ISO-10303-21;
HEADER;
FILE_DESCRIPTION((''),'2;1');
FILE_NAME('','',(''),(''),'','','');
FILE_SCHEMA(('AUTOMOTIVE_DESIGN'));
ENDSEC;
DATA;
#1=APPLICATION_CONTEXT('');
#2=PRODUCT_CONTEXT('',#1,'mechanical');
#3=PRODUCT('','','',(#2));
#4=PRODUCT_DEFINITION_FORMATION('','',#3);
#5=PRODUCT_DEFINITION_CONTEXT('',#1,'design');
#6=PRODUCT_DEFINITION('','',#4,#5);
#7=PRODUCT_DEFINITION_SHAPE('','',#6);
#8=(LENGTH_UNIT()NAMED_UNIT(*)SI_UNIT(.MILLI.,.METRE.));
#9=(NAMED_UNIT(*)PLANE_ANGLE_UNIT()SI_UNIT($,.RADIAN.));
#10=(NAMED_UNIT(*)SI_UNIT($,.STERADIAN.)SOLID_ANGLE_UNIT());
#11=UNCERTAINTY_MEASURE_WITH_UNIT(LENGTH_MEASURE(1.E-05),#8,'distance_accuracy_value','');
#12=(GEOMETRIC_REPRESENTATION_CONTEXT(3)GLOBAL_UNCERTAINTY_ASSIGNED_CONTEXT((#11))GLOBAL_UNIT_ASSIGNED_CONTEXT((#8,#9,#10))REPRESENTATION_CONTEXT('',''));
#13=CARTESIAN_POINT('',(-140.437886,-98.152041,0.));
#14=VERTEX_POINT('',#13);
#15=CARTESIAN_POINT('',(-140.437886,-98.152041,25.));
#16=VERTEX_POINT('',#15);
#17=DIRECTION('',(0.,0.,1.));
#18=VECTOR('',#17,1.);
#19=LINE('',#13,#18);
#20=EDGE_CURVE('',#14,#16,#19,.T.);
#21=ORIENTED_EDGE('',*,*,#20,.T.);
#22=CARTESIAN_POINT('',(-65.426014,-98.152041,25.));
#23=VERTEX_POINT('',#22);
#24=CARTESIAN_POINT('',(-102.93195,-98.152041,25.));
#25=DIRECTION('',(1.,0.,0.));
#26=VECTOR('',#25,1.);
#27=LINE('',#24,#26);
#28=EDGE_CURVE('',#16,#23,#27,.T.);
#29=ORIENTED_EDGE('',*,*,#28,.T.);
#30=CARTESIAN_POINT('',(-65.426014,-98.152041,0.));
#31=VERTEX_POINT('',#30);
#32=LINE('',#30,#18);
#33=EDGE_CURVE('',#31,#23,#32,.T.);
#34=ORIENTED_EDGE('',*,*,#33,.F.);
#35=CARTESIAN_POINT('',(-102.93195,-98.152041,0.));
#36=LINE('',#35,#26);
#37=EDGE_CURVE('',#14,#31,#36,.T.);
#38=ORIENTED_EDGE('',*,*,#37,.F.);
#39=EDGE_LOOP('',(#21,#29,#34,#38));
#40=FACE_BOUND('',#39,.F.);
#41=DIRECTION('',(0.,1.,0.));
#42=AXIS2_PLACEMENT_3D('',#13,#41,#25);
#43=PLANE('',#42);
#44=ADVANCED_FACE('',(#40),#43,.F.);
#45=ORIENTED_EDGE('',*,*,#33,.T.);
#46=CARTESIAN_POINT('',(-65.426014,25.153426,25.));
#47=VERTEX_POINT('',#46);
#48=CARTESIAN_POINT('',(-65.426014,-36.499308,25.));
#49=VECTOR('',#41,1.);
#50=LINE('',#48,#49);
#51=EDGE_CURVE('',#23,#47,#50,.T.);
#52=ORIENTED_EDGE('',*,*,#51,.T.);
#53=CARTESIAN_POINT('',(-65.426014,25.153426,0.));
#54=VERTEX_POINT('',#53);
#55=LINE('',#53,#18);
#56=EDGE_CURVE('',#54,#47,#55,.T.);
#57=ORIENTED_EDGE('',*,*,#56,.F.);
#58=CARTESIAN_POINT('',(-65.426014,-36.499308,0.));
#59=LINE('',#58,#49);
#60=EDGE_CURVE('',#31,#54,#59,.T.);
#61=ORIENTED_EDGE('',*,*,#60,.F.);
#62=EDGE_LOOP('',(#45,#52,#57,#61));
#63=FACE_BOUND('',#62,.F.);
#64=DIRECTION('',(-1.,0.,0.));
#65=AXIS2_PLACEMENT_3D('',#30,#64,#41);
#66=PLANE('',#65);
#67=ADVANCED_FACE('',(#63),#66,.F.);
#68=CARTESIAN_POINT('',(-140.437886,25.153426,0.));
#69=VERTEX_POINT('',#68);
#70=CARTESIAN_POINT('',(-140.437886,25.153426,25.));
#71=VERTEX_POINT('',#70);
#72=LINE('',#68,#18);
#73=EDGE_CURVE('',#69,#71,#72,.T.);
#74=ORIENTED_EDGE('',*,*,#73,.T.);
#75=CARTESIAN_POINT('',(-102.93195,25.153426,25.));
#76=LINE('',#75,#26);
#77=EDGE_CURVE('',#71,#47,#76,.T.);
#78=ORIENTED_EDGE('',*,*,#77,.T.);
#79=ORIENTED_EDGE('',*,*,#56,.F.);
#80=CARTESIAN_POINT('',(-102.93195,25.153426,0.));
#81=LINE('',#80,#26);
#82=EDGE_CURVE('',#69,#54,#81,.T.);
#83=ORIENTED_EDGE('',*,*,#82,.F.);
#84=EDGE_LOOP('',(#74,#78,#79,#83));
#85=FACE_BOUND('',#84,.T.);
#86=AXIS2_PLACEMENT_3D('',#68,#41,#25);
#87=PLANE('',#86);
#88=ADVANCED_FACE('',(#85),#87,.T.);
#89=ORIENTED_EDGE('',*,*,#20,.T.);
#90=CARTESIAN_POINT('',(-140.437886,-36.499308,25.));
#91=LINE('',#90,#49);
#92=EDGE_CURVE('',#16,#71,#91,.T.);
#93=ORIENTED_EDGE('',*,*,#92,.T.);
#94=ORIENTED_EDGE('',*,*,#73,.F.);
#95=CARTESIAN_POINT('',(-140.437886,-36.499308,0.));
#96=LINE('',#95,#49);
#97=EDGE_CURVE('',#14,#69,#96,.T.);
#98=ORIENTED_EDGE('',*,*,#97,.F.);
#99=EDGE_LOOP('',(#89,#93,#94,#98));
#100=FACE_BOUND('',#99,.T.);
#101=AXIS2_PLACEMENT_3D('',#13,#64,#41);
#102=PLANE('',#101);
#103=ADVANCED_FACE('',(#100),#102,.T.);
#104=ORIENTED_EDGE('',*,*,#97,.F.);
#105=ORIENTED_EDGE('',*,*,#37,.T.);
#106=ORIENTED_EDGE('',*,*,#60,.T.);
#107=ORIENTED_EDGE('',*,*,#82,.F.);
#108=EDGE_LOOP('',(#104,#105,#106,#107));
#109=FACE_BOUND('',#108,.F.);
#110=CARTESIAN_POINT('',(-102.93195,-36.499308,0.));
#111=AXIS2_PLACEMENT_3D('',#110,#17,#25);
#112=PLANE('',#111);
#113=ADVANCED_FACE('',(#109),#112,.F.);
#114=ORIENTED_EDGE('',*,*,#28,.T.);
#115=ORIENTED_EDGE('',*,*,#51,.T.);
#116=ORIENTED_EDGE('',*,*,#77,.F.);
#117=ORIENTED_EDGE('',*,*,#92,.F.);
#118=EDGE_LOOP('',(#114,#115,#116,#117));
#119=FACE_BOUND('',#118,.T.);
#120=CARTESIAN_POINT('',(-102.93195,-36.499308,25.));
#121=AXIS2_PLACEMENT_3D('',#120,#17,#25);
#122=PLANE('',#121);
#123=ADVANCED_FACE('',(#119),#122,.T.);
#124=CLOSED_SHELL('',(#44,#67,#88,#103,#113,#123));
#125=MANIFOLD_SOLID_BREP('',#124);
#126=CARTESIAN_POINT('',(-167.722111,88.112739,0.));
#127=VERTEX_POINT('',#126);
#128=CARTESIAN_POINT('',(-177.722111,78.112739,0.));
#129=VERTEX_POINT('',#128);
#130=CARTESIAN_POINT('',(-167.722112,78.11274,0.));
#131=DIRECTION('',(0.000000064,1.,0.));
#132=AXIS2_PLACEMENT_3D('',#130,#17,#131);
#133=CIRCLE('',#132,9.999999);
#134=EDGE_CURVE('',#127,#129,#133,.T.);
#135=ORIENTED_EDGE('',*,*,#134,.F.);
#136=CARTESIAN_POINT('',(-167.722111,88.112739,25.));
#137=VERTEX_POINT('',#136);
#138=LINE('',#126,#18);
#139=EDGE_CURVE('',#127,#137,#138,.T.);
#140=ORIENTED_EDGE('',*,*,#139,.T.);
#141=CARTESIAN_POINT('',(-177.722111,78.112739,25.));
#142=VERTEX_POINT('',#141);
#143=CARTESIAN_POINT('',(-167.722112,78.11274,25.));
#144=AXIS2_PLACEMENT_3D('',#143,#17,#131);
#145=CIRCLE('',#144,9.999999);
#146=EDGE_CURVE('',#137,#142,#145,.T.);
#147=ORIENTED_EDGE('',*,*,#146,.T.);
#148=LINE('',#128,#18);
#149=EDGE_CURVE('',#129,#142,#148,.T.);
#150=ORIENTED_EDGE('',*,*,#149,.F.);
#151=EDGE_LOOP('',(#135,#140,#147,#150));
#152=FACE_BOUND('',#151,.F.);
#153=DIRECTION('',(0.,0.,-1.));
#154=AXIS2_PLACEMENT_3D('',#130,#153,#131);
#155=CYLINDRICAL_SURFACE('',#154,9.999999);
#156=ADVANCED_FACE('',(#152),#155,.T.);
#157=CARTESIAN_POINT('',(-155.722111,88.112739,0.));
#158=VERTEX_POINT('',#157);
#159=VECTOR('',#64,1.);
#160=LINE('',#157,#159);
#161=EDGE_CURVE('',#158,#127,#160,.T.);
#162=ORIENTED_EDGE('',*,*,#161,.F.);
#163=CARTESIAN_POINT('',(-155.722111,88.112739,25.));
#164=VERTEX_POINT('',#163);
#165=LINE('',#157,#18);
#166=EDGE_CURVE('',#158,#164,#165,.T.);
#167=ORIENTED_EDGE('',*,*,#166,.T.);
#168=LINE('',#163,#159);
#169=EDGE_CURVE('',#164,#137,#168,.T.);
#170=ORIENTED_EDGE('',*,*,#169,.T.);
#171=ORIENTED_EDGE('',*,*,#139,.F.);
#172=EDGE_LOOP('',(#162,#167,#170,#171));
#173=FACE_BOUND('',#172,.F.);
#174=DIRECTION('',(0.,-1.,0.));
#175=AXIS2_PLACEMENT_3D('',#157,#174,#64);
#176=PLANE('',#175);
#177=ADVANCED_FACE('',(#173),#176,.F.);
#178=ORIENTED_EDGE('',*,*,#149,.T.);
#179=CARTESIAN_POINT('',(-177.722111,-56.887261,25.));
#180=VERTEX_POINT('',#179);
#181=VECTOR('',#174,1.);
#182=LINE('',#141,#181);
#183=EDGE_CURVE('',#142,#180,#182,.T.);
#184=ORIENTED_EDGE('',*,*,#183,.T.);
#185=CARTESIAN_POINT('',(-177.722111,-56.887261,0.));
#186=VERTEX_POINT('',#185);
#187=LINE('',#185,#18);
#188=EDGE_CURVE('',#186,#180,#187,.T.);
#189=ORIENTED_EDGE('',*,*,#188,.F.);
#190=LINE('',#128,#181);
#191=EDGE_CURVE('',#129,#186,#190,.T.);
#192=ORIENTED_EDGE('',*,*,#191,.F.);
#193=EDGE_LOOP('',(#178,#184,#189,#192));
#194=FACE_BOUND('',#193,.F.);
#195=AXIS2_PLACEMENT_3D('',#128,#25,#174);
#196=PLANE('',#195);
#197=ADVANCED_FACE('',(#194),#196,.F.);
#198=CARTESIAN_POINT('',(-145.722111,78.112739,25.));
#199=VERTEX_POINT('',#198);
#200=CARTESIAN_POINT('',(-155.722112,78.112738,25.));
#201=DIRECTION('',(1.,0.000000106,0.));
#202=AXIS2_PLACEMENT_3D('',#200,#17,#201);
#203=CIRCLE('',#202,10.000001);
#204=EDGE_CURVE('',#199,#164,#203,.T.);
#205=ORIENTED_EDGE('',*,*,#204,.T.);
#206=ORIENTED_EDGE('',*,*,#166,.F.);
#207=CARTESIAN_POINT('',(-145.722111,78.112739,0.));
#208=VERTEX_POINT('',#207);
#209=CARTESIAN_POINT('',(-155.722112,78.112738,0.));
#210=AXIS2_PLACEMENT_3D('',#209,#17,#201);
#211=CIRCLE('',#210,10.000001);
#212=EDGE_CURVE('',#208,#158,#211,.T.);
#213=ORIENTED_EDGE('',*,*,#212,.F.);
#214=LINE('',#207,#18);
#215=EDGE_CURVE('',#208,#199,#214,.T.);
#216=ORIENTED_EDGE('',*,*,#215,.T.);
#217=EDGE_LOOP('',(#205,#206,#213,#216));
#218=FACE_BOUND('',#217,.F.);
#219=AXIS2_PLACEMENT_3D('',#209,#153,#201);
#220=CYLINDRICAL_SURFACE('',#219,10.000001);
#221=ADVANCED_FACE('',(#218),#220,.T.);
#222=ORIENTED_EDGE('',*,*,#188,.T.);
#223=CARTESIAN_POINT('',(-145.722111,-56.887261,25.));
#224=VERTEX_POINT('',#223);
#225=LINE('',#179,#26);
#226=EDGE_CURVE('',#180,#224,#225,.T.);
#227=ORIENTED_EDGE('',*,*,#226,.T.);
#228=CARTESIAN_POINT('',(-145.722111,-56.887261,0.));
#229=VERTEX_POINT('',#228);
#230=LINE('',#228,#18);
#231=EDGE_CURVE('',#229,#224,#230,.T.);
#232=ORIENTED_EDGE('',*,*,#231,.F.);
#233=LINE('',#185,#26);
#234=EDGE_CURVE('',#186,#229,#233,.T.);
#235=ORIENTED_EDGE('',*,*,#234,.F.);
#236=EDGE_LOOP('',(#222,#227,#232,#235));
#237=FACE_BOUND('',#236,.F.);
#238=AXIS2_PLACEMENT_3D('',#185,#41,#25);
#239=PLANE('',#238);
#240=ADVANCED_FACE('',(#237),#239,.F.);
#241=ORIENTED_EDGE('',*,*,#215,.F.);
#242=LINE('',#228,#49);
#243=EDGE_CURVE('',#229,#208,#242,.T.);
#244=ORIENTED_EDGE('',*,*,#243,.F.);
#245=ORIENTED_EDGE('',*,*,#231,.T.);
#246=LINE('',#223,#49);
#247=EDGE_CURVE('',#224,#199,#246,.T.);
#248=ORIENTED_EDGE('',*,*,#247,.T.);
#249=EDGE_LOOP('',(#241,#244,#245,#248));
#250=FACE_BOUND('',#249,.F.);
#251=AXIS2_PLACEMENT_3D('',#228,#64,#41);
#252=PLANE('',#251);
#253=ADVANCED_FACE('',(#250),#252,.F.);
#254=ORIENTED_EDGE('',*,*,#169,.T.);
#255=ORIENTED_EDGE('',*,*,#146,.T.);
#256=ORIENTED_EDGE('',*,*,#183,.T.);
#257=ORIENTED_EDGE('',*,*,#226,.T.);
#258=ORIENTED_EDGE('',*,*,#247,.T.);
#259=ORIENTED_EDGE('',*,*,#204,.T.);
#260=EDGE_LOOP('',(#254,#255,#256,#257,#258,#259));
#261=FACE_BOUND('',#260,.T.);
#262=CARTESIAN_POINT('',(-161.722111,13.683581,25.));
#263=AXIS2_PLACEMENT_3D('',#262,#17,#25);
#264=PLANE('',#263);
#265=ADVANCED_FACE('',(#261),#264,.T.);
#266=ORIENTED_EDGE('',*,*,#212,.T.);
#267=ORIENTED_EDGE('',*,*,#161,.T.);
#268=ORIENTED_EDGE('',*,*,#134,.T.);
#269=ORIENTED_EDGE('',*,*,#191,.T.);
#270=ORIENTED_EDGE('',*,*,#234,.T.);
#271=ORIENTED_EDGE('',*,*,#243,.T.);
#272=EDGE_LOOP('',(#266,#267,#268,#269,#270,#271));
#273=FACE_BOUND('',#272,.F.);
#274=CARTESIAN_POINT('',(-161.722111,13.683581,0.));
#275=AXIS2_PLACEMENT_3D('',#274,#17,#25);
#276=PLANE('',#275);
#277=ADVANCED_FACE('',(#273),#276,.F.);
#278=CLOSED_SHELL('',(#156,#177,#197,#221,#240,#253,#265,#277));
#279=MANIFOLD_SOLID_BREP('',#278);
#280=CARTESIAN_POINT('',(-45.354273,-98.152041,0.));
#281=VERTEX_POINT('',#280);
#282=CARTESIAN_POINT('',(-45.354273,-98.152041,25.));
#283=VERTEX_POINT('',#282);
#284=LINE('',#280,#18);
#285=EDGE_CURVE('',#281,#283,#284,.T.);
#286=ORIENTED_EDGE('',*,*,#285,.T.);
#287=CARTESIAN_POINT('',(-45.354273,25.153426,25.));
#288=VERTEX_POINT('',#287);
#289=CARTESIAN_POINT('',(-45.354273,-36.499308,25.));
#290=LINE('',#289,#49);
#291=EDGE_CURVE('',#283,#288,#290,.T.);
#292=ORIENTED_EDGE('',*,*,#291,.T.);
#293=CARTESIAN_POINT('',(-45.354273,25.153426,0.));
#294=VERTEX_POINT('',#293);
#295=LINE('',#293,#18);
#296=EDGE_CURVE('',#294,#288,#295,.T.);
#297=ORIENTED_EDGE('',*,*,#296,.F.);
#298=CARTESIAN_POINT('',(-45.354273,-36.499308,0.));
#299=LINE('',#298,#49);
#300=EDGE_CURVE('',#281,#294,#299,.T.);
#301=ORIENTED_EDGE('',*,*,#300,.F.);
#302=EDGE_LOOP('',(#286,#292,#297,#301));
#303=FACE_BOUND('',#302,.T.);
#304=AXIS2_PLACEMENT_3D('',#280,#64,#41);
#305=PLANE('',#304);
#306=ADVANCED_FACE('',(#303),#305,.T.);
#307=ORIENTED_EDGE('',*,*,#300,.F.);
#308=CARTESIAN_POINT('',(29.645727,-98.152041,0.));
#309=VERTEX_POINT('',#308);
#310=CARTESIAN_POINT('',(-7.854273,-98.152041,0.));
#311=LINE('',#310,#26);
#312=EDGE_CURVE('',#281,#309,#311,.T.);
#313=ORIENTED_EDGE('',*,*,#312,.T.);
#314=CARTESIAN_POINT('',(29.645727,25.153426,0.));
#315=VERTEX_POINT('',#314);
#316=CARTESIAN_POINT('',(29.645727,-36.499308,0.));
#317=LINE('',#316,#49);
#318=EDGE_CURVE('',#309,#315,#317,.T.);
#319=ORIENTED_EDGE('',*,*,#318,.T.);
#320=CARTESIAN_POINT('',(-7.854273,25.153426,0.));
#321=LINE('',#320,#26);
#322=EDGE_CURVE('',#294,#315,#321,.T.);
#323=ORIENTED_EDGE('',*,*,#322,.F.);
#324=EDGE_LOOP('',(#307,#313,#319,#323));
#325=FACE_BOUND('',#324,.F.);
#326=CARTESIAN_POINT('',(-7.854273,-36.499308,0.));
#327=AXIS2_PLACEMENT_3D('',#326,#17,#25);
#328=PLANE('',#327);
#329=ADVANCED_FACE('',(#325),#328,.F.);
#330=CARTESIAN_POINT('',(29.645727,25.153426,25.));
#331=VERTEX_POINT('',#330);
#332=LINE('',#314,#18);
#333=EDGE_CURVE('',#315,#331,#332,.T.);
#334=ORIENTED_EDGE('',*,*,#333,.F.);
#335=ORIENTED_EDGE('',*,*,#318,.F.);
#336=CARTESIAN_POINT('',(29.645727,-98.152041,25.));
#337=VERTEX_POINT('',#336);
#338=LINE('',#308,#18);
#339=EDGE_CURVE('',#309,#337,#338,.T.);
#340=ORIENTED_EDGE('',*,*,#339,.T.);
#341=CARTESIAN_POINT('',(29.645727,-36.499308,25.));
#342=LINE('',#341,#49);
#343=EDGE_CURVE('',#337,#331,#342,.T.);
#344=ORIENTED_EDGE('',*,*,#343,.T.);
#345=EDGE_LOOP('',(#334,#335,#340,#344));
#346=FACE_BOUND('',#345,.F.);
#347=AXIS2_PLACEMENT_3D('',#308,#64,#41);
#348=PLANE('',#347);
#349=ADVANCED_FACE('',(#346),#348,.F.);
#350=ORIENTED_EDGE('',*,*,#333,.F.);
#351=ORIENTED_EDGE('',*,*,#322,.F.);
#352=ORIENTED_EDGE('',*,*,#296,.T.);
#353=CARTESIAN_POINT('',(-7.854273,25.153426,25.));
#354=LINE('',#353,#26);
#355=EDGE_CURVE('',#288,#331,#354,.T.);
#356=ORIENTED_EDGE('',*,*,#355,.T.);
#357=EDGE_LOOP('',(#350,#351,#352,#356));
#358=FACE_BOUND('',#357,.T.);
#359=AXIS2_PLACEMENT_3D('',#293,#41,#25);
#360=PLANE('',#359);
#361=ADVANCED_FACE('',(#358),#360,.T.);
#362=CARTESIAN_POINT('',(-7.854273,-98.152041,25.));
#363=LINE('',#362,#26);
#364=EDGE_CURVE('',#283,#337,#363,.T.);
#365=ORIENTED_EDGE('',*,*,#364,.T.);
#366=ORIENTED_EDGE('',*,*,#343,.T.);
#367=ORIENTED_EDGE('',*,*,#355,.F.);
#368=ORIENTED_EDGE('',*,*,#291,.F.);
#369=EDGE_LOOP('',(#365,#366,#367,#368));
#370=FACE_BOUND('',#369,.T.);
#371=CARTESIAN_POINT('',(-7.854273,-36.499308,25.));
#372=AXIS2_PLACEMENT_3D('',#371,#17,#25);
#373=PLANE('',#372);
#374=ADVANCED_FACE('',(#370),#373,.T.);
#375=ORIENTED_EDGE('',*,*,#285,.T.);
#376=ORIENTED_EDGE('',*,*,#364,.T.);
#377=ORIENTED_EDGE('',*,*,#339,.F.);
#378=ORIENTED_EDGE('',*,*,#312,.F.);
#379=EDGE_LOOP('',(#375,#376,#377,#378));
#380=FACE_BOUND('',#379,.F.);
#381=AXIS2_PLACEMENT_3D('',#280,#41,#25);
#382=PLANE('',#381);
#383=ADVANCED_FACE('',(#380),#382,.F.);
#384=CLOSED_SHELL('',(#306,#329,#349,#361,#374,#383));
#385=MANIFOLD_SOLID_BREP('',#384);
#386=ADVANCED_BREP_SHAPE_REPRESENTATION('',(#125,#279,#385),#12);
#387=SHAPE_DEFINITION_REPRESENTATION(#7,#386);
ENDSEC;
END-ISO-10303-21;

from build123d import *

# Parameters (mm, degrees)
F0_W     = 75.011872
F0_H     = 123.305467
F0_W_2   = 75
F1_DEPTH = 25


with BuildPart() as f1:
    # F0 (on Top) → F1 (new body)
    with BuildSketch(Plane.XY):
        with BuildLine():
            Line((-155.722111, 88.112739), (-167.722111, 88.112739))
            ThreePointArc((-167.722111, 88.112739), (-174.793179, 85.183807), (-177.722111, 78.112739))
            Line((-177.722111, 78.112739), (-177.722111, -56.887261))
            Line((-177.722111, -56.887261), (-145.722111, -56.887261))
            Line((-145.722111, -56.887261), (-145.722111, 78.112739))
            ThreePointArc((-145.722111, 78.112739), (-148.651044, 85.183807), (-155.722111, 88.112739))
        make_face()
        with Locations((-102.93195, -36.499308)):
            Rectangle(F0_W, F0_H)
        with Locations((-7.854273, -36.499308)):
            Rectangle(F0_W_2, F0_H)
    extrude(amount=F1_DEPTH)


solid = f1.part
